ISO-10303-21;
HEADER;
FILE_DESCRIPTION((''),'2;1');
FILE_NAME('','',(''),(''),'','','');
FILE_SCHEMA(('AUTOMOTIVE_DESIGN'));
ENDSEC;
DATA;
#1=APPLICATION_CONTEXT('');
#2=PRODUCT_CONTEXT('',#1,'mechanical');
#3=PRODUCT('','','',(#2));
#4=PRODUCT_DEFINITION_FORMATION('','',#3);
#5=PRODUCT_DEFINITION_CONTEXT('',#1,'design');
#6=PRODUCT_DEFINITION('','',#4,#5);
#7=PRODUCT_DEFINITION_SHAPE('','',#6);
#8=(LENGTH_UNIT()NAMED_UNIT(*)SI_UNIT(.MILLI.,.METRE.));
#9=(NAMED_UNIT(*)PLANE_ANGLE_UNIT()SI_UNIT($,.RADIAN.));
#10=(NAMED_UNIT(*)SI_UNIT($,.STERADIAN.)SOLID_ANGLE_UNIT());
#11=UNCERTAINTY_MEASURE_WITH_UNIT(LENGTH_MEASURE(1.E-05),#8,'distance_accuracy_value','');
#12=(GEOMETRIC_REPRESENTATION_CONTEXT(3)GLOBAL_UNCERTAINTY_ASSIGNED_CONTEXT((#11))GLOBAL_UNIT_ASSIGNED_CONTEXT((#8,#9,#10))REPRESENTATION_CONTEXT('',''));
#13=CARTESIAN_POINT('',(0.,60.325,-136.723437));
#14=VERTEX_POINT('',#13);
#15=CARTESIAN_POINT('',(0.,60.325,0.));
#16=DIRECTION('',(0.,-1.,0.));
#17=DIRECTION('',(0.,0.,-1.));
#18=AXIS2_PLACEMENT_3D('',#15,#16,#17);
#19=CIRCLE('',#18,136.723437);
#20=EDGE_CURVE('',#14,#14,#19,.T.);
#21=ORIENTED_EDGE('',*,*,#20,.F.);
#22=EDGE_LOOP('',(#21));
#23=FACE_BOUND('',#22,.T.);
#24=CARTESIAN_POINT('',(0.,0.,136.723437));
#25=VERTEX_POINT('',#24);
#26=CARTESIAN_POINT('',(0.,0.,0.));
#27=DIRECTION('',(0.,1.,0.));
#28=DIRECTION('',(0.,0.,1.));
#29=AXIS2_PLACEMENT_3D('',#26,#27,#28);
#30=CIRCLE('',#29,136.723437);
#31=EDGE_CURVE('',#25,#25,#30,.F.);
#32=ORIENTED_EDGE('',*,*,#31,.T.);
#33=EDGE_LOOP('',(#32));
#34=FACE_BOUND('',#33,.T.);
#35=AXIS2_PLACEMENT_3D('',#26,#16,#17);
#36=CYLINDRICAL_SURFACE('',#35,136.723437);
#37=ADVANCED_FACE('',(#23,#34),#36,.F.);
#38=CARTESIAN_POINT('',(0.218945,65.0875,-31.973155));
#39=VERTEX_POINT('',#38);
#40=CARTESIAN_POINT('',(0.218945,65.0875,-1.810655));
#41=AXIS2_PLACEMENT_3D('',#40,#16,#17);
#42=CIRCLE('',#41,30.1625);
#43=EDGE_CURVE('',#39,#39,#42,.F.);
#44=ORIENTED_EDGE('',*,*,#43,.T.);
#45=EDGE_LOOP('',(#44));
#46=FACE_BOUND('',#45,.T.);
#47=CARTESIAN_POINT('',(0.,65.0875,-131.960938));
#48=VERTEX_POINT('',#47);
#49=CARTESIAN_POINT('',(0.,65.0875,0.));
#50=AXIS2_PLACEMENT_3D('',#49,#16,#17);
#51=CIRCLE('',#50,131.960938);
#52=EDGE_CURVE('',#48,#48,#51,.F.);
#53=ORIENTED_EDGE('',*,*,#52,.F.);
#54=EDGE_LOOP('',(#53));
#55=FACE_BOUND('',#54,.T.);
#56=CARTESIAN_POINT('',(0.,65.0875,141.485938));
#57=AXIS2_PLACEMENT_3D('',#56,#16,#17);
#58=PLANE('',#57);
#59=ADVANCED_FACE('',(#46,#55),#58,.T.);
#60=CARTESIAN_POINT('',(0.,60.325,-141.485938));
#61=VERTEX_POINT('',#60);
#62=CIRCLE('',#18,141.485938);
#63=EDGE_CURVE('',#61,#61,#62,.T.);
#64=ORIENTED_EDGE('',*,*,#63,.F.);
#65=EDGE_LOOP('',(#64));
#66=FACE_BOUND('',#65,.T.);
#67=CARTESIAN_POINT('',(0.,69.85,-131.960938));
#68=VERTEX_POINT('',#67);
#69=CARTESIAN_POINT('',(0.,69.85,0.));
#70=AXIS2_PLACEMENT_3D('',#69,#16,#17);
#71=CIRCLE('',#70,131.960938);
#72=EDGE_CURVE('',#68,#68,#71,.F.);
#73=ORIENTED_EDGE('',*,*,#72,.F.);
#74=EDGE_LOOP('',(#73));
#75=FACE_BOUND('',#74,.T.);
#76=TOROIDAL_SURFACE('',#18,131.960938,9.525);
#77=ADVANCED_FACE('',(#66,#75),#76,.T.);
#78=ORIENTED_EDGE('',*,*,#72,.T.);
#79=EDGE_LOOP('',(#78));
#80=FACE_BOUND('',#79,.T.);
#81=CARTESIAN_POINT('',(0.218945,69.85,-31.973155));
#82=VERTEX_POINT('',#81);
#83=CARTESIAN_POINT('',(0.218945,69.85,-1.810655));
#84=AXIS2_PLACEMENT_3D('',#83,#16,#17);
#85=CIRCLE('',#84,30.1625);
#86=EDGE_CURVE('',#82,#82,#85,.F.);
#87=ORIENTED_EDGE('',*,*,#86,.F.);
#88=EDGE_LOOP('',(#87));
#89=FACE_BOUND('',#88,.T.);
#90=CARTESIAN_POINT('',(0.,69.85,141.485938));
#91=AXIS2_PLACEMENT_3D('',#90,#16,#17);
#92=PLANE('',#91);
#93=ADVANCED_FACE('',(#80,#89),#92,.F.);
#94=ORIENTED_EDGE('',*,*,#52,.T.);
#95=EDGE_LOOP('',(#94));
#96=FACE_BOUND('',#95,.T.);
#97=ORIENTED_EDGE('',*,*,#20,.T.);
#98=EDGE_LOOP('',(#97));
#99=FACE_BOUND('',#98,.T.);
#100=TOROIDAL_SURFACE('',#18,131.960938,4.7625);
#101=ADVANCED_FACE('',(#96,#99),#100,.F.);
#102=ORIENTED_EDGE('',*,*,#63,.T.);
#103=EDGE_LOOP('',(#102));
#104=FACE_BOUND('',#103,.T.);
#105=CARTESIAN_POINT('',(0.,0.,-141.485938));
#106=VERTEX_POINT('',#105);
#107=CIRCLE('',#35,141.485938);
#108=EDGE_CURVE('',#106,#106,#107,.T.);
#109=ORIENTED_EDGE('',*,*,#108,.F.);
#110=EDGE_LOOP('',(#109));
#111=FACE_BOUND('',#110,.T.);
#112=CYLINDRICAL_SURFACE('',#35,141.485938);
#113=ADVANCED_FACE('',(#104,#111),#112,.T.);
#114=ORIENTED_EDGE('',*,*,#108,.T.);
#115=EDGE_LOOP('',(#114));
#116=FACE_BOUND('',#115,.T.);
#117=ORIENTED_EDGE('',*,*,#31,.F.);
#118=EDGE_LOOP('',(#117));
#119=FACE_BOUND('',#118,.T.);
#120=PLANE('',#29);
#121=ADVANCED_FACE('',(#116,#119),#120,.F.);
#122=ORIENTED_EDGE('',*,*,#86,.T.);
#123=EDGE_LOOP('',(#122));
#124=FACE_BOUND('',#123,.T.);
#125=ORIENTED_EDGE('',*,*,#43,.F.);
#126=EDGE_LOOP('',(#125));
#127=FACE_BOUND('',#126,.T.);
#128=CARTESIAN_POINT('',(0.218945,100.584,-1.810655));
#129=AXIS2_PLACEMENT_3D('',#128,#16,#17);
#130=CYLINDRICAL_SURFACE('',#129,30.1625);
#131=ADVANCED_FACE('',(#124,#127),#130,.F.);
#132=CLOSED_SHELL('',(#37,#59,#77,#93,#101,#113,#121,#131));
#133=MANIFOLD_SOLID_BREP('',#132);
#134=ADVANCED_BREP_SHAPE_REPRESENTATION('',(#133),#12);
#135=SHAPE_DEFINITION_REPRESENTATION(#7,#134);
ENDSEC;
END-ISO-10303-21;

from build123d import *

# Parameters (mm, degrees)
SKETCH1_W               = 141.4859375
SKETCH1_H               = 69.85
FILLET1_R               = 9.525
SHELL1_T                = -4.7625
SKETCH3_R               = 30.1625
CUT_EXTRUDE1_DEPTH      = 30.734
CUT_EXTRUDE1_DEPTH_BACK = 28.194


with BuildPart() as part:
    # Sketch1 → Revolve1 (revolve)
    with BuildSketch(Plane(origin=(0, 0, 0), x_dir=(0, 0, -1), z_dir=(1, 0, 0)), mode=Mode.PRIVATE) as revolve1_sk:
        with Locations((-70.74296875, 34.925)):
            Rectangle(SKETCH1_W, SKETCH1_H)
    revolve(revolve1_sk.sketch.rotate(Axis((0, 0, 0), (0, 1, 0)), 180), axis=Axis((0, 0, 0), (0, 1, 0)))

    # Fillet1
    fillet1_edges = [part.edges().sort_by_distance(p)[0] for p in [
        (0, 69.85, 141.4859375),
    ]]
    fillet(fillet1_edges, radius=FILLET1_R)

    # Shell1
    shell1_openings = [part.faces().sort_by_distance(p)[0] for p in [
        (0, 0, 0),
    ]]
    offset(amount=SHELL1_T, openings=shell1_openings, kind=Kind.INTERSECTION)

    # Sketch3 → Cut-Extrude1 (cut, two sides)
    with BuildSketch(Plane(origin=(0, 69.85, 0), x_dir=(1, 0, 0), z_dir=(0, 1, 0))) as cut_extrude1_sk:
        with Locations(Location((0.218944766, 1.810655032, 0), (0, 0, 90))):
            Circle(SKETCH3_R)
    extrude(amount=CUT_EXTRUDE1_DEPTH, mode=Mode.SUBTRACT)
    extrude(cut_extrude1_sk.sketch, amount=-CUT_EXTRUDE1_DEPTH_BACK, mode=Mode.SUBTRACT)


solid = part.part
